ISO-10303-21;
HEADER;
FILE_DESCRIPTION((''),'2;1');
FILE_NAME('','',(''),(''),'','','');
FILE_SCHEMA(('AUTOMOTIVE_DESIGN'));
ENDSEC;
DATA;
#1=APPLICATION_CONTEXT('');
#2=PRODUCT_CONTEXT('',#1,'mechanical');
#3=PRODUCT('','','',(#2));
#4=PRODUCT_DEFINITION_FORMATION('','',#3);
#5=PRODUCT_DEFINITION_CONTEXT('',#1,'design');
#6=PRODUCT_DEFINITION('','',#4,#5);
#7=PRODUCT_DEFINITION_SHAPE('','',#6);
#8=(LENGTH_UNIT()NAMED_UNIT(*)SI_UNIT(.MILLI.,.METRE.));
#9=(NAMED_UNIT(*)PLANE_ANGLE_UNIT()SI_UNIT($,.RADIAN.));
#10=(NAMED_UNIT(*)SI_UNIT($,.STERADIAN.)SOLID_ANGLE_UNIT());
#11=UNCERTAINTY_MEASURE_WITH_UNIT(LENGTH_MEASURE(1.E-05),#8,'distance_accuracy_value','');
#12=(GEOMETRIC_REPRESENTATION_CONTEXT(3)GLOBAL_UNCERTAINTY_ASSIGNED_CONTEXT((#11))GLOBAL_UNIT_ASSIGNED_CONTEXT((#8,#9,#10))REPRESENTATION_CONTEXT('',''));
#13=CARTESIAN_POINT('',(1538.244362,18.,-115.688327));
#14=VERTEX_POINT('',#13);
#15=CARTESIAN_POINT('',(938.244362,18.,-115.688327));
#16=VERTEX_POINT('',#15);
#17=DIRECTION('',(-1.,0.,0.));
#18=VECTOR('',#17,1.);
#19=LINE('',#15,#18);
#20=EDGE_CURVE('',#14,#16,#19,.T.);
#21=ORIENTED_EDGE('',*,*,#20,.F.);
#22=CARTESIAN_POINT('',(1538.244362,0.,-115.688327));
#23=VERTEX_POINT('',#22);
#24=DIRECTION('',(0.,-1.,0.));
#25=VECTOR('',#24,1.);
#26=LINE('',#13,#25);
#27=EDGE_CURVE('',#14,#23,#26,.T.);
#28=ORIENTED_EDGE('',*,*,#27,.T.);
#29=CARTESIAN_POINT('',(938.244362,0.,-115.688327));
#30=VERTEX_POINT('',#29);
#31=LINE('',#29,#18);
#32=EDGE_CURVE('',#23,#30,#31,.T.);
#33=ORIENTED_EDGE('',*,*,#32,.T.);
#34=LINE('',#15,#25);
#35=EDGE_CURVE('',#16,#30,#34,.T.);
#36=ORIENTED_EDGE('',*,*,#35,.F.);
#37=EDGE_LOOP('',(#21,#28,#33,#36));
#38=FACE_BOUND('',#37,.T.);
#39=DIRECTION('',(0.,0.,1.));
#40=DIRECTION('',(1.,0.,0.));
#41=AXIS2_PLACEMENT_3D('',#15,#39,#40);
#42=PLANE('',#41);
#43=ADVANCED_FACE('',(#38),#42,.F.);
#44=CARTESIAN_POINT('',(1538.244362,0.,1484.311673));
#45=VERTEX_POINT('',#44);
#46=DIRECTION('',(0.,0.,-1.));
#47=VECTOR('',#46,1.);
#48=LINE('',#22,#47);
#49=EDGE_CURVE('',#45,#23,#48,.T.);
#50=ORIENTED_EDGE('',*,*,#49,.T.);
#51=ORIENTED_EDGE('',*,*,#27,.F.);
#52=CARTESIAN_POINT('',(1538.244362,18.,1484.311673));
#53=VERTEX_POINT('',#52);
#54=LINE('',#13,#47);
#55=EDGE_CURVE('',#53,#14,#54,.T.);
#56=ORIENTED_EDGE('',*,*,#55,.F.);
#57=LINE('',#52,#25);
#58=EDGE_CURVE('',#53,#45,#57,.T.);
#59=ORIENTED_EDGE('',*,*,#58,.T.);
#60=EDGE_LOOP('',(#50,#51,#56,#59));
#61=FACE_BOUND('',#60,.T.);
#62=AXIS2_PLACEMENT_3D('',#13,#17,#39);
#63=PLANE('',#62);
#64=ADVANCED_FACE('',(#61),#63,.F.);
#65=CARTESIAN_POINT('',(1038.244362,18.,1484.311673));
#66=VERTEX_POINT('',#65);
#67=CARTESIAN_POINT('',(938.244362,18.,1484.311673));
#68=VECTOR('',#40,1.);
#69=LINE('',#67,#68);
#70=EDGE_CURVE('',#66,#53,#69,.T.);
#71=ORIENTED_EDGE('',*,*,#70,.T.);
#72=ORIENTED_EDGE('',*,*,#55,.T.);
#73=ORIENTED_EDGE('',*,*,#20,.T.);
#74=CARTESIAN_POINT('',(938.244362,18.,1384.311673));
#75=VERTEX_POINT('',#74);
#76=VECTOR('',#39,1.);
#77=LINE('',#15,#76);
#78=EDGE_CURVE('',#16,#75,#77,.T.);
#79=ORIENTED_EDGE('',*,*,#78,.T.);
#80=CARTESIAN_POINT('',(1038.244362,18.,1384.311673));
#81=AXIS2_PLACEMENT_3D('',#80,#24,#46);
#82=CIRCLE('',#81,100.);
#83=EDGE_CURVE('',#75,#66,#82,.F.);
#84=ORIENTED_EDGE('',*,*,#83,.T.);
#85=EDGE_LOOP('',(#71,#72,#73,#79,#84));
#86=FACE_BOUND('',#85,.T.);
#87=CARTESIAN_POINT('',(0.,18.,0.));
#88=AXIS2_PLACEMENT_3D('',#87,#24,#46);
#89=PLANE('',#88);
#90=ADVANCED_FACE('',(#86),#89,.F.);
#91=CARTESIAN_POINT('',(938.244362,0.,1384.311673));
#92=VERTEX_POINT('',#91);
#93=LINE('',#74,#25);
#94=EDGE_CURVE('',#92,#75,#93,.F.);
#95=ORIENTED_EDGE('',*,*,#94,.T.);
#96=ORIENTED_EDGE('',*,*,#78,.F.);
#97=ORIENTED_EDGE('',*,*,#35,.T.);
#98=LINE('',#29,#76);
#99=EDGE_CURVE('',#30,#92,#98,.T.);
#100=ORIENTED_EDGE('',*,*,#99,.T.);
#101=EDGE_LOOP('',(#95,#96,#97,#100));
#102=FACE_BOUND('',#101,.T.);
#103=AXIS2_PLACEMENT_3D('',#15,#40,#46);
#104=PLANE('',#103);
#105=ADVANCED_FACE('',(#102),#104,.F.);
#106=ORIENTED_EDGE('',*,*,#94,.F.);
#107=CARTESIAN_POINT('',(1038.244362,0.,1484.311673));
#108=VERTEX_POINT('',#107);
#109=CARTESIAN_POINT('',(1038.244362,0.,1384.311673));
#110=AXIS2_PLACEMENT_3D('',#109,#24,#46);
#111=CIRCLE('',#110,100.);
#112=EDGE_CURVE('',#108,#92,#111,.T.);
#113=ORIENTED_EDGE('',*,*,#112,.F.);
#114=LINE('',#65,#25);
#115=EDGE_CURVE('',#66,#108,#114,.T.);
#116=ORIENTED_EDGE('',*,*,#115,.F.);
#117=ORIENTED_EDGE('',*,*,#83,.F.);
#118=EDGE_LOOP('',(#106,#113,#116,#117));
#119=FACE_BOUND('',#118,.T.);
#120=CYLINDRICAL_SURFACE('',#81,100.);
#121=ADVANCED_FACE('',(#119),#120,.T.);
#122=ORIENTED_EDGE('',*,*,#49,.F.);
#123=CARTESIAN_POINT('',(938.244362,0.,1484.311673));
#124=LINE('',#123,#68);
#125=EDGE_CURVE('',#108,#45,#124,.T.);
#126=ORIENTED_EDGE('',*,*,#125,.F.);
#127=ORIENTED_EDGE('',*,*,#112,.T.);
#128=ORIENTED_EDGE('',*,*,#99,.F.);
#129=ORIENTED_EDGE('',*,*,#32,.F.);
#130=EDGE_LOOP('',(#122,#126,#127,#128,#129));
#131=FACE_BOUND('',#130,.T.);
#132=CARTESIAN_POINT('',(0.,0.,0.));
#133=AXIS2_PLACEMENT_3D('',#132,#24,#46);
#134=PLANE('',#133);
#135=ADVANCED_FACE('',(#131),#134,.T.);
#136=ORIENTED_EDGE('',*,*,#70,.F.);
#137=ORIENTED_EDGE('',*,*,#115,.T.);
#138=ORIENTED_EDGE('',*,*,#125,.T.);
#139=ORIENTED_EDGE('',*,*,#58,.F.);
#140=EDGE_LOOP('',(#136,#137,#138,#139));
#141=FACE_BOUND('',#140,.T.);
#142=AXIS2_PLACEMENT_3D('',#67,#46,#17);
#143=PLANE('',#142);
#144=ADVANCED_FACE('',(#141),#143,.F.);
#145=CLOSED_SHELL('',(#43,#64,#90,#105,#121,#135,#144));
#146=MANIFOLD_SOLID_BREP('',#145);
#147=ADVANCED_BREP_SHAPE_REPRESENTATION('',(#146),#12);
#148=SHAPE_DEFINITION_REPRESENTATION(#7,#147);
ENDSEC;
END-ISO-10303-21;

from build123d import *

# Parameters (mm, degrees)
SKETCH_1_W      = 600
SKETCH_1_H      = 1600
EXTRUDE_1_DEPTH = 18
FILLET1_R       = 100


with BuildPart() as part:
    # Эскиз1 → Бобышка-Вытянуть1 (new body)
    with BuildSketch(Plane(origin=(0, 0, 0), x_dir=(1, 0, 0), z_dir=(0, 1, 0))):
        with Locations((1238.244362216, -684.311673364)):
            Rectangle(SKETCH_1_W, SKETCH_1_H)
    extrude(amount=EXTRUDE_1_DEPTH)

    # Fillet1
    fillet1_edges = [part.edges().sort_by_distance(p)[0] for p in [
        (938.244362216, 9, 1484.311673364),
    ]]
    fillet(fillet1_edges, radius=FILLET1_R)


solid = part.part
